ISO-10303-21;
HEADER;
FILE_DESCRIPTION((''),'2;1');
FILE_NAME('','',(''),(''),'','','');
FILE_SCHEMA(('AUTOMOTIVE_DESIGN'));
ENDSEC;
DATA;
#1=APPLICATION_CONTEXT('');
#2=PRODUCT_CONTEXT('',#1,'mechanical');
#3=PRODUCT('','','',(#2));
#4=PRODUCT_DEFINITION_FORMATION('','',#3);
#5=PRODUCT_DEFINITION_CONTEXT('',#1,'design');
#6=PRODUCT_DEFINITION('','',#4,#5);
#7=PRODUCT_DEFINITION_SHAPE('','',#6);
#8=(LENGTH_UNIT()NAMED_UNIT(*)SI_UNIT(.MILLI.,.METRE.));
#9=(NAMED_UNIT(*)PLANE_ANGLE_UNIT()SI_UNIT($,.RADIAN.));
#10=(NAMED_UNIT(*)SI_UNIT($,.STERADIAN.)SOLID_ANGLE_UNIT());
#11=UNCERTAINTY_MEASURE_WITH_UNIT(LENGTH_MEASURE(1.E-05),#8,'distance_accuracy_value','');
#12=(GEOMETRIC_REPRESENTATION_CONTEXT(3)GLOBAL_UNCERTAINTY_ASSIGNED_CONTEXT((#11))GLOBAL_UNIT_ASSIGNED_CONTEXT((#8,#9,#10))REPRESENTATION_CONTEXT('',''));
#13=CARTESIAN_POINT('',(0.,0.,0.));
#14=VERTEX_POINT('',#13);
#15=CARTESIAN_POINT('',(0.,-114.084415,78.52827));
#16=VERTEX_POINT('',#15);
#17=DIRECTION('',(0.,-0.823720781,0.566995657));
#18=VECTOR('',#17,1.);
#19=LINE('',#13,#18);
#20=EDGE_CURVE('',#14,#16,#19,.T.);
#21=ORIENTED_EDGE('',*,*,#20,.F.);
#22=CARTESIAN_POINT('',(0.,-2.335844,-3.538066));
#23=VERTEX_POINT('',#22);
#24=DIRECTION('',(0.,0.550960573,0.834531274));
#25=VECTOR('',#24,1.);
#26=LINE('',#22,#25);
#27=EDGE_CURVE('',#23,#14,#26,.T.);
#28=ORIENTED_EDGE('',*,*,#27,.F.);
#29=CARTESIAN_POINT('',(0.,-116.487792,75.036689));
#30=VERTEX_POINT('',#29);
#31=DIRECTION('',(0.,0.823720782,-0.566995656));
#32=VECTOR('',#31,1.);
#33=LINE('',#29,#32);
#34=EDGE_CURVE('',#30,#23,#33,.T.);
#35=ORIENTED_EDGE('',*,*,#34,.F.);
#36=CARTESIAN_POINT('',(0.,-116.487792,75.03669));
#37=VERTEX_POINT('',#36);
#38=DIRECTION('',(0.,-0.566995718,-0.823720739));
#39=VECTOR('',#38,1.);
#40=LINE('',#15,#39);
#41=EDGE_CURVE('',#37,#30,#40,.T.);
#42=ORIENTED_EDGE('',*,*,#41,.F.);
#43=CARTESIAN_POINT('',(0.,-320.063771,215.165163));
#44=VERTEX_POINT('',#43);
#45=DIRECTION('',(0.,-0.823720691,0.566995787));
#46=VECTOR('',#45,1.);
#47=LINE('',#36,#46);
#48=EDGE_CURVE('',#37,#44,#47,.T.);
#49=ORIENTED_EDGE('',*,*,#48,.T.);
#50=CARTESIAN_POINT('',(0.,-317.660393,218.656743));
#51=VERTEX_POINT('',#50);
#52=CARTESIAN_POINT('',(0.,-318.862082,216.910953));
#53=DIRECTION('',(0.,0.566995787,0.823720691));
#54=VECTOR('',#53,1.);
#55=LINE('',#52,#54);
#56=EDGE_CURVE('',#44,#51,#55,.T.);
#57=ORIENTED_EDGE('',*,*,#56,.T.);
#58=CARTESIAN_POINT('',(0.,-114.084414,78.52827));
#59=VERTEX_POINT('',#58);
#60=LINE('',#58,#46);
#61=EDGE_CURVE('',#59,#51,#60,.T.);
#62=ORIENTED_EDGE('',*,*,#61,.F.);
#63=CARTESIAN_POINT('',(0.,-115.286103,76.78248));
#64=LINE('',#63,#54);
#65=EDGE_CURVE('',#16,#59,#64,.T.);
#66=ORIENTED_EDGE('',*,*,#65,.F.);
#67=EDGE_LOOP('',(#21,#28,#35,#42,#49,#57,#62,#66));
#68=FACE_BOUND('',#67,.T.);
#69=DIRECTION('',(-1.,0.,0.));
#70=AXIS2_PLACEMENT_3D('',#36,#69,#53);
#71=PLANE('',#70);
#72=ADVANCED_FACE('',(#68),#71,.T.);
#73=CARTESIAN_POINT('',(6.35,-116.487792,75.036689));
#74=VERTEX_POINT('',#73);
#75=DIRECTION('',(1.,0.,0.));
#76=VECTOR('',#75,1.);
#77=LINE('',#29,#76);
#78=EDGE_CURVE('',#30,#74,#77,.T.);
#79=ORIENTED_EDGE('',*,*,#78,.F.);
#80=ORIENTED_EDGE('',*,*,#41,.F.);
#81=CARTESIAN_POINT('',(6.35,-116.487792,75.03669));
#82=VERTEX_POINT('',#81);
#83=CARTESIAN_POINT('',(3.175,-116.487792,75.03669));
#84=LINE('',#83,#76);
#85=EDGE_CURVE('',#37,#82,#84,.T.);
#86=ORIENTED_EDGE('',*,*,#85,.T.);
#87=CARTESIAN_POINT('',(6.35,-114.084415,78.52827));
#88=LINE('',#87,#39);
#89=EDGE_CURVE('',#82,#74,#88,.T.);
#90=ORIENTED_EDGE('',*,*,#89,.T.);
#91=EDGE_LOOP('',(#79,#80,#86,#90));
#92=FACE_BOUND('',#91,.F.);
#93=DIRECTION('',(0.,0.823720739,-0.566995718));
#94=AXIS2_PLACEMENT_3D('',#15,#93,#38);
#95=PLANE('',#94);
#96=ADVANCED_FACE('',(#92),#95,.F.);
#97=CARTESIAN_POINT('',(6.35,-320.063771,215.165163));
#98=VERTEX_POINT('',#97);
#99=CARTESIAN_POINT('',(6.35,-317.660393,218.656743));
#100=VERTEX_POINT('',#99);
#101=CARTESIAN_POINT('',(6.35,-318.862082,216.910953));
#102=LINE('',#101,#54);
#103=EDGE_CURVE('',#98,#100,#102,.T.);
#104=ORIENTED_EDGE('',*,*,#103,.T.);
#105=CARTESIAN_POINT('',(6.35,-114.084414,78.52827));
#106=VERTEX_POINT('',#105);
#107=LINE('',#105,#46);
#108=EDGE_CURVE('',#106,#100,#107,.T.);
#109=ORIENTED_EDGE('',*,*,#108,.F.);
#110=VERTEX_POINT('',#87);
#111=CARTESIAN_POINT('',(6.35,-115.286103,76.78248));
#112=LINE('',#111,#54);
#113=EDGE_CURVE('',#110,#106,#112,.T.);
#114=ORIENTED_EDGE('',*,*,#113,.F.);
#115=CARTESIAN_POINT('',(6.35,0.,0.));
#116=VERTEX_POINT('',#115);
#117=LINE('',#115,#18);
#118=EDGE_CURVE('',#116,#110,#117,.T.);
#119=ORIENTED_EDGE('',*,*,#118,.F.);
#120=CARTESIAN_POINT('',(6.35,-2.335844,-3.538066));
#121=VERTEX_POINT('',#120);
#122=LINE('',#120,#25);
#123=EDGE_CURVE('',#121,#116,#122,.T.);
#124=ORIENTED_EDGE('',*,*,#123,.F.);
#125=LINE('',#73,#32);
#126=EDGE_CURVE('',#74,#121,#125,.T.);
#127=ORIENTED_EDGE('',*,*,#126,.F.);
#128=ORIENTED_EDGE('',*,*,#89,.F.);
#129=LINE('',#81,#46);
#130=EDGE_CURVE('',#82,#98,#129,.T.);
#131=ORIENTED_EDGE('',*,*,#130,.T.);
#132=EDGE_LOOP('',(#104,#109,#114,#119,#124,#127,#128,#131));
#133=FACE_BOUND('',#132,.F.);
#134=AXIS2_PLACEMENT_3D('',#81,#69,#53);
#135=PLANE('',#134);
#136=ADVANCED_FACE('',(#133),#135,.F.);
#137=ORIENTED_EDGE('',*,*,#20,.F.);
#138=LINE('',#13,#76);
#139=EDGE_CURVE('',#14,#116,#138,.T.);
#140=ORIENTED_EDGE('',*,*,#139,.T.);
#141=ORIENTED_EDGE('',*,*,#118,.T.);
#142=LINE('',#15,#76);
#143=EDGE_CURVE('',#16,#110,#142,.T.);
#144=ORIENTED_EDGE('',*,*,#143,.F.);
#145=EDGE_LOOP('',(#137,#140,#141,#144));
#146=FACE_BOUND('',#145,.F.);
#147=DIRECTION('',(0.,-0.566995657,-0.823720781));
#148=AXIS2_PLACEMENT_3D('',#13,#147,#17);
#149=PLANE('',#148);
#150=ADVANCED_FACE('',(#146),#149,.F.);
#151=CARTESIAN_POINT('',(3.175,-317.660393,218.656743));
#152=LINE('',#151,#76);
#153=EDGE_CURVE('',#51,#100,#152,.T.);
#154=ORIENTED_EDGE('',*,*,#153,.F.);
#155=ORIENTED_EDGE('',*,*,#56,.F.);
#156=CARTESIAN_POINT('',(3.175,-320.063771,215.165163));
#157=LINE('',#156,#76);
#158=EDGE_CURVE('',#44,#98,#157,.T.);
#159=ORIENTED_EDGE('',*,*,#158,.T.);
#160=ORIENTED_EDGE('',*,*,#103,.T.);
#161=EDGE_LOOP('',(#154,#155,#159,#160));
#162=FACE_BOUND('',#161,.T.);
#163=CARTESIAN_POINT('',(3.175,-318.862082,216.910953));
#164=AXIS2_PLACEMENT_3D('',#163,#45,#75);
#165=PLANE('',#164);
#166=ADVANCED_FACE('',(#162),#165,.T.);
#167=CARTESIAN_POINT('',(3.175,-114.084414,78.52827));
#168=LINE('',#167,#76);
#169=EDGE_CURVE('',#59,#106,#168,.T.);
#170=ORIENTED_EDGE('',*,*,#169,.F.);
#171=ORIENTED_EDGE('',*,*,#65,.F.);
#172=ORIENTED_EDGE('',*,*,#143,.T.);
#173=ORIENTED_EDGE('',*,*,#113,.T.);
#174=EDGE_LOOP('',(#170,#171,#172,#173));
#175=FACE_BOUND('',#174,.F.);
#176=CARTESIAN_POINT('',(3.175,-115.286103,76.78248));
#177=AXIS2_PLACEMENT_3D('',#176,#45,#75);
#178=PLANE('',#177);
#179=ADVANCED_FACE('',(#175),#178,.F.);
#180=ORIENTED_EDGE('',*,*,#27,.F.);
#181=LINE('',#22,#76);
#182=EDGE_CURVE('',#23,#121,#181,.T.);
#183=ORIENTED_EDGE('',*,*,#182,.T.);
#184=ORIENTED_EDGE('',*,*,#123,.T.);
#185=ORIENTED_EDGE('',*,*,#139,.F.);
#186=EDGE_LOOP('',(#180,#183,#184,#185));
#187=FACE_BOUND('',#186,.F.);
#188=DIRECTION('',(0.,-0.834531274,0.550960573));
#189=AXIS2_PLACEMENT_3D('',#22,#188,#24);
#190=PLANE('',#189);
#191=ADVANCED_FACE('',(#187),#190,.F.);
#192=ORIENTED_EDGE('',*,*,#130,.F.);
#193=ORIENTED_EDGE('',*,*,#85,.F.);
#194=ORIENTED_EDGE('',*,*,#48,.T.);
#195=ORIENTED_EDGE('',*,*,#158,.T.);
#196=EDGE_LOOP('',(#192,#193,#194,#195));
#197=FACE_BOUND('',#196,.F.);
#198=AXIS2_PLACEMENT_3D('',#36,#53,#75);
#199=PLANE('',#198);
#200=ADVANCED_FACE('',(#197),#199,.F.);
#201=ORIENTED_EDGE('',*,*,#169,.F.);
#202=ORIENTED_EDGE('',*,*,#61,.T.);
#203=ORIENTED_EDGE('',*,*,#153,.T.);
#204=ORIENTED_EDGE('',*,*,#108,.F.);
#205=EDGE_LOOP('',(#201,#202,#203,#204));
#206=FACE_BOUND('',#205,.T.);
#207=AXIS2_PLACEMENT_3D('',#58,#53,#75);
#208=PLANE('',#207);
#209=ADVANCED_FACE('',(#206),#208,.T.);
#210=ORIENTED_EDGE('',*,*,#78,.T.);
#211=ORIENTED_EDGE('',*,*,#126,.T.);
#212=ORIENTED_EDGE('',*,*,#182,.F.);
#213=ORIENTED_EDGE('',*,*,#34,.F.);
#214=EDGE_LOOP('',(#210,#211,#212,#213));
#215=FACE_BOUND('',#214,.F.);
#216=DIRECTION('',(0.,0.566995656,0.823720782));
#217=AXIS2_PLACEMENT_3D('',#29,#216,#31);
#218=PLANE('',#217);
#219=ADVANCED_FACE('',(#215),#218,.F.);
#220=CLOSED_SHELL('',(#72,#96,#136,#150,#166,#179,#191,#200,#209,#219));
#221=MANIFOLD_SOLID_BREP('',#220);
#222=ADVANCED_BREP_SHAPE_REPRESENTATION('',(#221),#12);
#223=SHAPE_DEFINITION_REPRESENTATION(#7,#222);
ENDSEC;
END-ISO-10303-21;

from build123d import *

# Parameters (mm, degrees)
F1_DEPTH  = 6.35
F1_FACE_W = 6.35
F1_FACE_H = 4.238792
F2_DEPTH  = 247.142


with BuildPart() as f1:
    # F0 (on Right) → F1 (new body)
    with BuildSketch(Plane.YZ):
        Polygon((-2.335844, -3.538066), (0, 0), (-114.084415, 78.52827), (-116.487792, 75.036689), align=None)
    extrude(amount=F1_DEPTH)

    # F1_face (on face) → F2 (join)
    with BuildSketch(Plane(origin=(3.175, -115.286103, 76.78248), x_dir=(1, 0, 0), z_dir=(0, -0.823721, 0.566996))):
        Rectangle(F1_FACE_W, F1_FACE_H)
    extrude(amount=F2_DEPTH)


solid = f1.part
